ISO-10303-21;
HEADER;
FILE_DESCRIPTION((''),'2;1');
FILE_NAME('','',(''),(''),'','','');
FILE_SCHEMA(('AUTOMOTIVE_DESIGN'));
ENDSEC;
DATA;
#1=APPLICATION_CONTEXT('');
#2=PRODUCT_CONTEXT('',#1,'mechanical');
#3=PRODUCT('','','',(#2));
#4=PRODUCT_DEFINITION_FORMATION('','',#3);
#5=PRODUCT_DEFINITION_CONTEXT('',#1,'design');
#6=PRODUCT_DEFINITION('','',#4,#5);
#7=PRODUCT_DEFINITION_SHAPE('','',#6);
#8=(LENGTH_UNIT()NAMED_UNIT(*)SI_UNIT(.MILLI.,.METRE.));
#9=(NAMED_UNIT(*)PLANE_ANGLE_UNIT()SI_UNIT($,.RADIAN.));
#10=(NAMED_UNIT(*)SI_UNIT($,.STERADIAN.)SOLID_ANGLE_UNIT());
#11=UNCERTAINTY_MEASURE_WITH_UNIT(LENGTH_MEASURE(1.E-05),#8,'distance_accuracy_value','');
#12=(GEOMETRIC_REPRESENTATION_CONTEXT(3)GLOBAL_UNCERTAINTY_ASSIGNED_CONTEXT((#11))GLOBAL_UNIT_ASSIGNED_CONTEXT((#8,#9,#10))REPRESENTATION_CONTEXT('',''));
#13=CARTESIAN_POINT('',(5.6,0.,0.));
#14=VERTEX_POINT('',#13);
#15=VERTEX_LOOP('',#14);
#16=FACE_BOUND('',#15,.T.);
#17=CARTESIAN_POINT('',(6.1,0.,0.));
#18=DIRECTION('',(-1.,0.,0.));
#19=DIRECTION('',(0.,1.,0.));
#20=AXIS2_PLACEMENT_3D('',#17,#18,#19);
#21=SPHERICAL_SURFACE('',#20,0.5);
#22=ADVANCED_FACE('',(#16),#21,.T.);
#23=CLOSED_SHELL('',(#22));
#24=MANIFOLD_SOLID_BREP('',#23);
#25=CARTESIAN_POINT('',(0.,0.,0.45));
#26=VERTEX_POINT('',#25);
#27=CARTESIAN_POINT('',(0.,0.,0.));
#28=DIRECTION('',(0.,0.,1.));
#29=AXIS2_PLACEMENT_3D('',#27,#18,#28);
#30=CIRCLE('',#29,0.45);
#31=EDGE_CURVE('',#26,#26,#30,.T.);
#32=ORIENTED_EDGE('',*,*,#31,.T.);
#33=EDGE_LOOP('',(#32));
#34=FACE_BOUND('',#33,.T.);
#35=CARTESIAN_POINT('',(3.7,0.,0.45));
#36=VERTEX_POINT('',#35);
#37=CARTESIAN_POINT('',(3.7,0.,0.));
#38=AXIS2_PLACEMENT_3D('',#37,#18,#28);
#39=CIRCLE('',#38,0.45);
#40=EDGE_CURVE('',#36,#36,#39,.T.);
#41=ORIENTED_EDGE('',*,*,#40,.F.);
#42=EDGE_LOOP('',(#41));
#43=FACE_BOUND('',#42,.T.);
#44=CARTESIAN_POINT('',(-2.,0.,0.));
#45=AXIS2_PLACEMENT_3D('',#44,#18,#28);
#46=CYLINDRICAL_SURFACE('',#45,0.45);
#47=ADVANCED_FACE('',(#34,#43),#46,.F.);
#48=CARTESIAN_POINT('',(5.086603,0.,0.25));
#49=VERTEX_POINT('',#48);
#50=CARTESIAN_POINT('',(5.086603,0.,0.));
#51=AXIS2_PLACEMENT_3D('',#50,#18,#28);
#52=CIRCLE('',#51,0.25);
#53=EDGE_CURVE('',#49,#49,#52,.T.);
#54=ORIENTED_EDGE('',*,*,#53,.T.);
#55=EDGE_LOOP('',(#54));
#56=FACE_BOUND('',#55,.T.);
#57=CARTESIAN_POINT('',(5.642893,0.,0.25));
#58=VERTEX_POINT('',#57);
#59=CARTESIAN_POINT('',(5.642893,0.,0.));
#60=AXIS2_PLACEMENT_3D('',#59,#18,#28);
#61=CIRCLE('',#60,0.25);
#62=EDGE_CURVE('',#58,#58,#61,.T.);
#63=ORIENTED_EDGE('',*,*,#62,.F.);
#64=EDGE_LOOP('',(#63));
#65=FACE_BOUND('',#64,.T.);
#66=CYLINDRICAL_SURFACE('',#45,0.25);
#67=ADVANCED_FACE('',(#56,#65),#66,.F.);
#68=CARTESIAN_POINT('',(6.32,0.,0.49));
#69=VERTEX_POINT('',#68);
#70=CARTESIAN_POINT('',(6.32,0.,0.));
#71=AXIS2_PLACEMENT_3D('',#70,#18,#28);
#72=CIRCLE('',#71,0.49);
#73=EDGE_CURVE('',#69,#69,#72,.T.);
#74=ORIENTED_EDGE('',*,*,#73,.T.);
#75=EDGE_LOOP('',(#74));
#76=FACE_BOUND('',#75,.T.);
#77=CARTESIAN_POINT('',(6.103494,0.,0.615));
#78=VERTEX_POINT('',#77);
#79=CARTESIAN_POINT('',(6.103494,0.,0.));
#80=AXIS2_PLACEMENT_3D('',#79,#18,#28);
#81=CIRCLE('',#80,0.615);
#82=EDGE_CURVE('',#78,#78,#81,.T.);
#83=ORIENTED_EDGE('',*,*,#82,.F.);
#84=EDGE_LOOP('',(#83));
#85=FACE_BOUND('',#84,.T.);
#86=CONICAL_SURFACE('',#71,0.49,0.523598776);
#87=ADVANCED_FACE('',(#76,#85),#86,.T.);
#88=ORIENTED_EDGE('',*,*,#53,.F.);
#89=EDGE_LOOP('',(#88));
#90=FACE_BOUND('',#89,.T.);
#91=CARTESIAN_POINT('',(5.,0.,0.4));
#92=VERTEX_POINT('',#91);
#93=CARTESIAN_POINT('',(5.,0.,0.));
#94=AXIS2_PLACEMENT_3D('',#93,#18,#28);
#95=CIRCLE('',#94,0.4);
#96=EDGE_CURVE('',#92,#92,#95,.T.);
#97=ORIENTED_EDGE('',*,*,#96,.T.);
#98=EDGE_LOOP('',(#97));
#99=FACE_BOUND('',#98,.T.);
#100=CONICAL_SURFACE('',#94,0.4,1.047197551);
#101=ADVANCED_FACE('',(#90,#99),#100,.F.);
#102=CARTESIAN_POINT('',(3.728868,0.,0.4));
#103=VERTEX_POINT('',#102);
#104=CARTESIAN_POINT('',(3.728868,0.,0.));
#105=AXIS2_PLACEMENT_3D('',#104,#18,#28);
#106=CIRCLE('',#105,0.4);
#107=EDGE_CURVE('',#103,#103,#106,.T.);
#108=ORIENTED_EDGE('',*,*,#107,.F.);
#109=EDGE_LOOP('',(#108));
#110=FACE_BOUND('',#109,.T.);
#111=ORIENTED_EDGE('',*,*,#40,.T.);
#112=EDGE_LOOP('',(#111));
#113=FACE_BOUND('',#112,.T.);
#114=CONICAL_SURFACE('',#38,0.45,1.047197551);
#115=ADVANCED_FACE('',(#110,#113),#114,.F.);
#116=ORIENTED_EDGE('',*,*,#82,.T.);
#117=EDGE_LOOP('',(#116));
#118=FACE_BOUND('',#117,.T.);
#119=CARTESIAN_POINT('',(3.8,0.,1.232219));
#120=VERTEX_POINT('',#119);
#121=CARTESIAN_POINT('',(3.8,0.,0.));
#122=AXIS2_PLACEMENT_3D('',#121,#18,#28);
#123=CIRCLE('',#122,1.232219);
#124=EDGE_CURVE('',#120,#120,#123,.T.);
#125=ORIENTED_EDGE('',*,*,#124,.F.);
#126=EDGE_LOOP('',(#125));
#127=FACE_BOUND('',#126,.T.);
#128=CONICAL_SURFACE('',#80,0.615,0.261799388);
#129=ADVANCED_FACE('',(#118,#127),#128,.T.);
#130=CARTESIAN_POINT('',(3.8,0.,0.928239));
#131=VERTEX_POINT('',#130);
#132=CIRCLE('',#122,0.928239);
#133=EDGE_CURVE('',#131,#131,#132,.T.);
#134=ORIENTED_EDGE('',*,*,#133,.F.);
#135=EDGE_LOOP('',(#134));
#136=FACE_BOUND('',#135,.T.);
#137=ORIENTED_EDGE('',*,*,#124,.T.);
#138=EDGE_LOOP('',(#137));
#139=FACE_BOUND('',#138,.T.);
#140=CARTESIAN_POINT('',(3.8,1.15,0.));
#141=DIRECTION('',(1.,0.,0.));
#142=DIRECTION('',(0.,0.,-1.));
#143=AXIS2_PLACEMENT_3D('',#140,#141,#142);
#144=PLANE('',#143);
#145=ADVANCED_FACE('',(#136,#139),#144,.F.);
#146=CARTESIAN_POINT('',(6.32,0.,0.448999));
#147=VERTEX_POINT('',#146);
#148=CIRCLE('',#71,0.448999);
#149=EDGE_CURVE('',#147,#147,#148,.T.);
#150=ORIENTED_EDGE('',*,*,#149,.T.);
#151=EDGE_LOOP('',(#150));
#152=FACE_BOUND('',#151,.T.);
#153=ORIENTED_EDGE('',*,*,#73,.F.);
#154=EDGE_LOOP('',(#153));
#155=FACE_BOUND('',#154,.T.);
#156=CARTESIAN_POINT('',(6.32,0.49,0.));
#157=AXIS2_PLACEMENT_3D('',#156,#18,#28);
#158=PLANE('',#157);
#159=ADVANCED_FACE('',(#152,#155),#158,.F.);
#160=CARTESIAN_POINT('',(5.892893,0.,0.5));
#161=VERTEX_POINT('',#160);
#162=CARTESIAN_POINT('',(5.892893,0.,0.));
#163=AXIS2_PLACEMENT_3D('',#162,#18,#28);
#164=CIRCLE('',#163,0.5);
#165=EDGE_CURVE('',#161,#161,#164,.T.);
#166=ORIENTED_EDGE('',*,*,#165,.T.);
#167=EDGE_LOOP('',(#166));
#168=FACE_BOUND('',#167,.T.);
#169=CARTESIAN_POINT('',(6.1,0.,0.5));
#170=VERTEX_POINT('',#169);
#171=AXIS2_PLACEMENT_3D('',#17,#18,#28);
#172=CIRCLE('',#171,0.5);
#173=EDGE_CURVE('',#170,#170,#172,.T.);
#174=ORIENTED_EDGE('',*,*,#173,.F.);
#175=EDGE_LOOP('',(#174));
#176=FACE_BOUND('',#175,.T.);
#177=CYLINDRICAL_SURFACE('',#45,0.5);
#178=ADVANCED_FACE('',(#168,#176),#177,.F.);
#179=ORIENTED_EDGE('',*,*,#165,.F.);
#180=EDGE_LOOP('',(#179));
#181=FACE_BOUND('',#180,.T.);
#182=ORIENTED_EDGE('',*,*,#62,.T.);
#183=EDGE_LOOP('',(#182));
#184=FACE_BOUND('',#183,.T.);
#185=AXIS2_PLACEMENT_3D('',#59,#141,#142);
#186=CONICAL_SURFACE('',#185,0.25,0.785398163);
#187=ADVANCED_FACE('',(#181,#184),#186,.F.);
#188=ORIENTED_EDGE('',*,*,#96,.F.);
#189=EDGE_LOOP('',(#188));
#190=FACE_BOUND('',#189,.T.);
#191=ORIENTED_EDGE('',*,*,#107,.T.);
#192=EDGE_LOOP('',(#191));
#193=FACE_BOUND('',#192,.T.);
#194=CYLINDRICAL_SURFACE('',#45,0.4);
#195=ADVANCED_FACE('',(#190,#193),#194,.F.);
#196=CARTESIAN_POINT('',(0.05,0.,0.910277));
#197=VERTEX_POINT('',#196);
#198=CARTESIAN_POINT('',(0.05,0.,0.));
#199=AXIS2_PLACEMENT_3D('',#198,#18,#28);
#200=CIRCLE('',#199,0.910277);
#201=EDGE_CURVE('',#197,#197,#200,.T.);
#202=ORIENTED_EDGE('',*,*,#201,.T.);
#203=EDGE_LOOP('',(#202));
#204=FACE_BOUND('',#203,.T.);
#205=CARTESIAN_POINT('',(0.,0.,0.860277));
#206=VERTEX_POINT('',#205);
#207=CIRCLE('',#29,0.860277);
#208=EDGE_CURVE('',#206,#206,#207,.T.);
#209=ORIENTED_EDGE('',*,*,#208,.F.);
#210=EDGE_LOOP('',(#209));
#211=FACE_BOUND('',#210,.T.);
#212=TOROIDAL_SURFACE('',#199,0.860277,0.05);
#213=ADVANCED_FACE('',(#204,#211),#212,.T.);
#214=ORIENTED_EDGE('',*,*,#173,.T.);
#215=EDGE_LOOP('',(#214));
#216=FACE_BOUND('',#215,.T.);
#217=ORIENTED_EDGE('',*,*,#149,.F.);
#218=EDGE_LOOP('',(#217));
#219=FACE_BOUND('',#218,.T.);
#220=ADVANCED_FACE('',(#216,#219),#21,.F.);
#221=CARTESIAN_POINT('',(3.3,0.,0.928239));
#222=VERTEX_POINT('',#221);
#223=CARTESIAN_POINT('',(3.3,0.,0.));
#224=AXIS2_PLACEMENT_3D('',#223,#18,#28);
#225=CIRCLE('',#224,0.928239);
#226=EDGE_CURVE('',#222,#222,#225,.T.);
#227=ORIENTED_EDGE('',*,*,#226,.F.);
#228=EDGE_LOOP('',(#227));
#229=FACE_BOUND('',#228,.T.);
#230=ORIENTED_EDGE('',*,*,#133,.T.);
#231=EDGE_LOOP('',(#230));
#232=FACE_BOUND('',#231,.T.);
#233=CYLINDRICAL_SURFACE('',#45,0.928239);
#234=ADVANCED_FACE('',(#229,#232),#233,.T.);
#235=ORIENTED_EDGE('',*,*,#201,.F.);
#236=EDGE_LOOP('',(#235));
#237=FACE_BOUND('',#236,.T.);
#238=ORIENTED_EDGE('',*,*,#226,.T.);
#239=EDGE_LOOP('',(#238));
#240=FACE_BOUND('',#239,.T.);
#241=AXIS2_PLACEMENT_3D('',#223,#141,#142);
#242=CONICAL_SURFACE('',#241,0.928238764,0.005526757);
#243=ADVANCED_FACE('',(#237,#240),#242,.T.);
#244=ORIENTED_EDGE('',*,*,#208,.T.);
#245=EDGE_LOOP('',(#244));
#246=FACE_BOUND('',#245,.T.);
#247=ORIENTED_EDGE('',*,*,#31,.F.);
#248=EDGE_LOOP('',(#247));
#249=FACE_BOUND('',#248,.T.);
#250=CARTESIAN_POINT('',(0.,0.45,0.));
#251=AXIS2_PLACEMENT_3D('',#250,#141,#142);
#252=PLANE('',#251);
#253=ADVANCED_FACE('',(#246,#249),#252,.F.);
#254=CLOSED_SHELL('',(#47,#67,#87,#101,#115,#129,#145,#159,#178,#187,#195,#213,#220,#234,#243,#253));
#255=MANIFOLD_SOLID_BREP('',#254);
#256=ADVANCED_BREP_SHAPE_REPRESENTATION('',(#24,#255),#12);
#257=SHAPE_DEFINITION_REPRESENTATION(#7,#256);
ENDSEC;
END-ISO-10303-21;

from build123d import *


with BuildPart() as part:
    # Sketch1 → Base-Revolve (revolve)
    with BuildSketch(Plane.XY, mode=Mode.PRIVATE) as base_revolve_sk:
        with BuildLine():
            Line((0, 0.45), (0, 0.860277006))
            ThreePointArc((0, 0.860277006), (0.014645207, 0.8956318), (0.05, 0.910276235))
            Line((0.05, 0.910276235), (3.3, 0.928238764))
            Line((3.3, 0.928238764), (3.8, 0.928238764))
            Line((3.8, 0.928238764), (3.8, 1.15))
            Line((3.8, 1.15), (3.8, 1.232219263))
            Line((3.8, 1.232219263), (6.103493649, 0.615))
            Line((6.103493649, 0.615), (6.32, 0.49))
            Line((6.32, 0.49), (6.32, 0.448998886))
            ThreePointArc((6.32, 0.448998886), (6.212917131, 0.487082869), (6.1, 0.5))
            Line((6.1, 0.5), (5.892893219, 0.5))
            Line((5.892893219, 0.5), (5.642893219, 0.25))
            Line((5.642893219, 0.25), (5.08660254, 0.25))
            Line((5.08660254, 0.25), (5, 0.4))
            Line((5, 0.4), (3.728867513, 0.4))
            Line((3.728867513, 0.4), (3.7, 0.45))
            Line((3.7, 0.45), (0, 0.45))
        make_face()
    revolve(base_revolve_sk.sketch.rotate(Axis((-2, 0, 0), (1, 0, 0)), 90), axis=Axis((-2, 0, 0), (1, 0, 0)))


with BuildPart() as body_2:
    # Sketch2 → Revolução3 (revolve)
    with BuildSketch(Plane.XY):
        with BuildLine():
            Line((5.6, 0), (6.6, 0))
            ThreePointArc((6.6, 0), (6.1, 0.5), (5.6, 0))
        make_face()
    revolve(axis=Axis((4.428375383, 0, 0), (1, 0, 0)))


solid = Compound([part.part, body_2.part])
